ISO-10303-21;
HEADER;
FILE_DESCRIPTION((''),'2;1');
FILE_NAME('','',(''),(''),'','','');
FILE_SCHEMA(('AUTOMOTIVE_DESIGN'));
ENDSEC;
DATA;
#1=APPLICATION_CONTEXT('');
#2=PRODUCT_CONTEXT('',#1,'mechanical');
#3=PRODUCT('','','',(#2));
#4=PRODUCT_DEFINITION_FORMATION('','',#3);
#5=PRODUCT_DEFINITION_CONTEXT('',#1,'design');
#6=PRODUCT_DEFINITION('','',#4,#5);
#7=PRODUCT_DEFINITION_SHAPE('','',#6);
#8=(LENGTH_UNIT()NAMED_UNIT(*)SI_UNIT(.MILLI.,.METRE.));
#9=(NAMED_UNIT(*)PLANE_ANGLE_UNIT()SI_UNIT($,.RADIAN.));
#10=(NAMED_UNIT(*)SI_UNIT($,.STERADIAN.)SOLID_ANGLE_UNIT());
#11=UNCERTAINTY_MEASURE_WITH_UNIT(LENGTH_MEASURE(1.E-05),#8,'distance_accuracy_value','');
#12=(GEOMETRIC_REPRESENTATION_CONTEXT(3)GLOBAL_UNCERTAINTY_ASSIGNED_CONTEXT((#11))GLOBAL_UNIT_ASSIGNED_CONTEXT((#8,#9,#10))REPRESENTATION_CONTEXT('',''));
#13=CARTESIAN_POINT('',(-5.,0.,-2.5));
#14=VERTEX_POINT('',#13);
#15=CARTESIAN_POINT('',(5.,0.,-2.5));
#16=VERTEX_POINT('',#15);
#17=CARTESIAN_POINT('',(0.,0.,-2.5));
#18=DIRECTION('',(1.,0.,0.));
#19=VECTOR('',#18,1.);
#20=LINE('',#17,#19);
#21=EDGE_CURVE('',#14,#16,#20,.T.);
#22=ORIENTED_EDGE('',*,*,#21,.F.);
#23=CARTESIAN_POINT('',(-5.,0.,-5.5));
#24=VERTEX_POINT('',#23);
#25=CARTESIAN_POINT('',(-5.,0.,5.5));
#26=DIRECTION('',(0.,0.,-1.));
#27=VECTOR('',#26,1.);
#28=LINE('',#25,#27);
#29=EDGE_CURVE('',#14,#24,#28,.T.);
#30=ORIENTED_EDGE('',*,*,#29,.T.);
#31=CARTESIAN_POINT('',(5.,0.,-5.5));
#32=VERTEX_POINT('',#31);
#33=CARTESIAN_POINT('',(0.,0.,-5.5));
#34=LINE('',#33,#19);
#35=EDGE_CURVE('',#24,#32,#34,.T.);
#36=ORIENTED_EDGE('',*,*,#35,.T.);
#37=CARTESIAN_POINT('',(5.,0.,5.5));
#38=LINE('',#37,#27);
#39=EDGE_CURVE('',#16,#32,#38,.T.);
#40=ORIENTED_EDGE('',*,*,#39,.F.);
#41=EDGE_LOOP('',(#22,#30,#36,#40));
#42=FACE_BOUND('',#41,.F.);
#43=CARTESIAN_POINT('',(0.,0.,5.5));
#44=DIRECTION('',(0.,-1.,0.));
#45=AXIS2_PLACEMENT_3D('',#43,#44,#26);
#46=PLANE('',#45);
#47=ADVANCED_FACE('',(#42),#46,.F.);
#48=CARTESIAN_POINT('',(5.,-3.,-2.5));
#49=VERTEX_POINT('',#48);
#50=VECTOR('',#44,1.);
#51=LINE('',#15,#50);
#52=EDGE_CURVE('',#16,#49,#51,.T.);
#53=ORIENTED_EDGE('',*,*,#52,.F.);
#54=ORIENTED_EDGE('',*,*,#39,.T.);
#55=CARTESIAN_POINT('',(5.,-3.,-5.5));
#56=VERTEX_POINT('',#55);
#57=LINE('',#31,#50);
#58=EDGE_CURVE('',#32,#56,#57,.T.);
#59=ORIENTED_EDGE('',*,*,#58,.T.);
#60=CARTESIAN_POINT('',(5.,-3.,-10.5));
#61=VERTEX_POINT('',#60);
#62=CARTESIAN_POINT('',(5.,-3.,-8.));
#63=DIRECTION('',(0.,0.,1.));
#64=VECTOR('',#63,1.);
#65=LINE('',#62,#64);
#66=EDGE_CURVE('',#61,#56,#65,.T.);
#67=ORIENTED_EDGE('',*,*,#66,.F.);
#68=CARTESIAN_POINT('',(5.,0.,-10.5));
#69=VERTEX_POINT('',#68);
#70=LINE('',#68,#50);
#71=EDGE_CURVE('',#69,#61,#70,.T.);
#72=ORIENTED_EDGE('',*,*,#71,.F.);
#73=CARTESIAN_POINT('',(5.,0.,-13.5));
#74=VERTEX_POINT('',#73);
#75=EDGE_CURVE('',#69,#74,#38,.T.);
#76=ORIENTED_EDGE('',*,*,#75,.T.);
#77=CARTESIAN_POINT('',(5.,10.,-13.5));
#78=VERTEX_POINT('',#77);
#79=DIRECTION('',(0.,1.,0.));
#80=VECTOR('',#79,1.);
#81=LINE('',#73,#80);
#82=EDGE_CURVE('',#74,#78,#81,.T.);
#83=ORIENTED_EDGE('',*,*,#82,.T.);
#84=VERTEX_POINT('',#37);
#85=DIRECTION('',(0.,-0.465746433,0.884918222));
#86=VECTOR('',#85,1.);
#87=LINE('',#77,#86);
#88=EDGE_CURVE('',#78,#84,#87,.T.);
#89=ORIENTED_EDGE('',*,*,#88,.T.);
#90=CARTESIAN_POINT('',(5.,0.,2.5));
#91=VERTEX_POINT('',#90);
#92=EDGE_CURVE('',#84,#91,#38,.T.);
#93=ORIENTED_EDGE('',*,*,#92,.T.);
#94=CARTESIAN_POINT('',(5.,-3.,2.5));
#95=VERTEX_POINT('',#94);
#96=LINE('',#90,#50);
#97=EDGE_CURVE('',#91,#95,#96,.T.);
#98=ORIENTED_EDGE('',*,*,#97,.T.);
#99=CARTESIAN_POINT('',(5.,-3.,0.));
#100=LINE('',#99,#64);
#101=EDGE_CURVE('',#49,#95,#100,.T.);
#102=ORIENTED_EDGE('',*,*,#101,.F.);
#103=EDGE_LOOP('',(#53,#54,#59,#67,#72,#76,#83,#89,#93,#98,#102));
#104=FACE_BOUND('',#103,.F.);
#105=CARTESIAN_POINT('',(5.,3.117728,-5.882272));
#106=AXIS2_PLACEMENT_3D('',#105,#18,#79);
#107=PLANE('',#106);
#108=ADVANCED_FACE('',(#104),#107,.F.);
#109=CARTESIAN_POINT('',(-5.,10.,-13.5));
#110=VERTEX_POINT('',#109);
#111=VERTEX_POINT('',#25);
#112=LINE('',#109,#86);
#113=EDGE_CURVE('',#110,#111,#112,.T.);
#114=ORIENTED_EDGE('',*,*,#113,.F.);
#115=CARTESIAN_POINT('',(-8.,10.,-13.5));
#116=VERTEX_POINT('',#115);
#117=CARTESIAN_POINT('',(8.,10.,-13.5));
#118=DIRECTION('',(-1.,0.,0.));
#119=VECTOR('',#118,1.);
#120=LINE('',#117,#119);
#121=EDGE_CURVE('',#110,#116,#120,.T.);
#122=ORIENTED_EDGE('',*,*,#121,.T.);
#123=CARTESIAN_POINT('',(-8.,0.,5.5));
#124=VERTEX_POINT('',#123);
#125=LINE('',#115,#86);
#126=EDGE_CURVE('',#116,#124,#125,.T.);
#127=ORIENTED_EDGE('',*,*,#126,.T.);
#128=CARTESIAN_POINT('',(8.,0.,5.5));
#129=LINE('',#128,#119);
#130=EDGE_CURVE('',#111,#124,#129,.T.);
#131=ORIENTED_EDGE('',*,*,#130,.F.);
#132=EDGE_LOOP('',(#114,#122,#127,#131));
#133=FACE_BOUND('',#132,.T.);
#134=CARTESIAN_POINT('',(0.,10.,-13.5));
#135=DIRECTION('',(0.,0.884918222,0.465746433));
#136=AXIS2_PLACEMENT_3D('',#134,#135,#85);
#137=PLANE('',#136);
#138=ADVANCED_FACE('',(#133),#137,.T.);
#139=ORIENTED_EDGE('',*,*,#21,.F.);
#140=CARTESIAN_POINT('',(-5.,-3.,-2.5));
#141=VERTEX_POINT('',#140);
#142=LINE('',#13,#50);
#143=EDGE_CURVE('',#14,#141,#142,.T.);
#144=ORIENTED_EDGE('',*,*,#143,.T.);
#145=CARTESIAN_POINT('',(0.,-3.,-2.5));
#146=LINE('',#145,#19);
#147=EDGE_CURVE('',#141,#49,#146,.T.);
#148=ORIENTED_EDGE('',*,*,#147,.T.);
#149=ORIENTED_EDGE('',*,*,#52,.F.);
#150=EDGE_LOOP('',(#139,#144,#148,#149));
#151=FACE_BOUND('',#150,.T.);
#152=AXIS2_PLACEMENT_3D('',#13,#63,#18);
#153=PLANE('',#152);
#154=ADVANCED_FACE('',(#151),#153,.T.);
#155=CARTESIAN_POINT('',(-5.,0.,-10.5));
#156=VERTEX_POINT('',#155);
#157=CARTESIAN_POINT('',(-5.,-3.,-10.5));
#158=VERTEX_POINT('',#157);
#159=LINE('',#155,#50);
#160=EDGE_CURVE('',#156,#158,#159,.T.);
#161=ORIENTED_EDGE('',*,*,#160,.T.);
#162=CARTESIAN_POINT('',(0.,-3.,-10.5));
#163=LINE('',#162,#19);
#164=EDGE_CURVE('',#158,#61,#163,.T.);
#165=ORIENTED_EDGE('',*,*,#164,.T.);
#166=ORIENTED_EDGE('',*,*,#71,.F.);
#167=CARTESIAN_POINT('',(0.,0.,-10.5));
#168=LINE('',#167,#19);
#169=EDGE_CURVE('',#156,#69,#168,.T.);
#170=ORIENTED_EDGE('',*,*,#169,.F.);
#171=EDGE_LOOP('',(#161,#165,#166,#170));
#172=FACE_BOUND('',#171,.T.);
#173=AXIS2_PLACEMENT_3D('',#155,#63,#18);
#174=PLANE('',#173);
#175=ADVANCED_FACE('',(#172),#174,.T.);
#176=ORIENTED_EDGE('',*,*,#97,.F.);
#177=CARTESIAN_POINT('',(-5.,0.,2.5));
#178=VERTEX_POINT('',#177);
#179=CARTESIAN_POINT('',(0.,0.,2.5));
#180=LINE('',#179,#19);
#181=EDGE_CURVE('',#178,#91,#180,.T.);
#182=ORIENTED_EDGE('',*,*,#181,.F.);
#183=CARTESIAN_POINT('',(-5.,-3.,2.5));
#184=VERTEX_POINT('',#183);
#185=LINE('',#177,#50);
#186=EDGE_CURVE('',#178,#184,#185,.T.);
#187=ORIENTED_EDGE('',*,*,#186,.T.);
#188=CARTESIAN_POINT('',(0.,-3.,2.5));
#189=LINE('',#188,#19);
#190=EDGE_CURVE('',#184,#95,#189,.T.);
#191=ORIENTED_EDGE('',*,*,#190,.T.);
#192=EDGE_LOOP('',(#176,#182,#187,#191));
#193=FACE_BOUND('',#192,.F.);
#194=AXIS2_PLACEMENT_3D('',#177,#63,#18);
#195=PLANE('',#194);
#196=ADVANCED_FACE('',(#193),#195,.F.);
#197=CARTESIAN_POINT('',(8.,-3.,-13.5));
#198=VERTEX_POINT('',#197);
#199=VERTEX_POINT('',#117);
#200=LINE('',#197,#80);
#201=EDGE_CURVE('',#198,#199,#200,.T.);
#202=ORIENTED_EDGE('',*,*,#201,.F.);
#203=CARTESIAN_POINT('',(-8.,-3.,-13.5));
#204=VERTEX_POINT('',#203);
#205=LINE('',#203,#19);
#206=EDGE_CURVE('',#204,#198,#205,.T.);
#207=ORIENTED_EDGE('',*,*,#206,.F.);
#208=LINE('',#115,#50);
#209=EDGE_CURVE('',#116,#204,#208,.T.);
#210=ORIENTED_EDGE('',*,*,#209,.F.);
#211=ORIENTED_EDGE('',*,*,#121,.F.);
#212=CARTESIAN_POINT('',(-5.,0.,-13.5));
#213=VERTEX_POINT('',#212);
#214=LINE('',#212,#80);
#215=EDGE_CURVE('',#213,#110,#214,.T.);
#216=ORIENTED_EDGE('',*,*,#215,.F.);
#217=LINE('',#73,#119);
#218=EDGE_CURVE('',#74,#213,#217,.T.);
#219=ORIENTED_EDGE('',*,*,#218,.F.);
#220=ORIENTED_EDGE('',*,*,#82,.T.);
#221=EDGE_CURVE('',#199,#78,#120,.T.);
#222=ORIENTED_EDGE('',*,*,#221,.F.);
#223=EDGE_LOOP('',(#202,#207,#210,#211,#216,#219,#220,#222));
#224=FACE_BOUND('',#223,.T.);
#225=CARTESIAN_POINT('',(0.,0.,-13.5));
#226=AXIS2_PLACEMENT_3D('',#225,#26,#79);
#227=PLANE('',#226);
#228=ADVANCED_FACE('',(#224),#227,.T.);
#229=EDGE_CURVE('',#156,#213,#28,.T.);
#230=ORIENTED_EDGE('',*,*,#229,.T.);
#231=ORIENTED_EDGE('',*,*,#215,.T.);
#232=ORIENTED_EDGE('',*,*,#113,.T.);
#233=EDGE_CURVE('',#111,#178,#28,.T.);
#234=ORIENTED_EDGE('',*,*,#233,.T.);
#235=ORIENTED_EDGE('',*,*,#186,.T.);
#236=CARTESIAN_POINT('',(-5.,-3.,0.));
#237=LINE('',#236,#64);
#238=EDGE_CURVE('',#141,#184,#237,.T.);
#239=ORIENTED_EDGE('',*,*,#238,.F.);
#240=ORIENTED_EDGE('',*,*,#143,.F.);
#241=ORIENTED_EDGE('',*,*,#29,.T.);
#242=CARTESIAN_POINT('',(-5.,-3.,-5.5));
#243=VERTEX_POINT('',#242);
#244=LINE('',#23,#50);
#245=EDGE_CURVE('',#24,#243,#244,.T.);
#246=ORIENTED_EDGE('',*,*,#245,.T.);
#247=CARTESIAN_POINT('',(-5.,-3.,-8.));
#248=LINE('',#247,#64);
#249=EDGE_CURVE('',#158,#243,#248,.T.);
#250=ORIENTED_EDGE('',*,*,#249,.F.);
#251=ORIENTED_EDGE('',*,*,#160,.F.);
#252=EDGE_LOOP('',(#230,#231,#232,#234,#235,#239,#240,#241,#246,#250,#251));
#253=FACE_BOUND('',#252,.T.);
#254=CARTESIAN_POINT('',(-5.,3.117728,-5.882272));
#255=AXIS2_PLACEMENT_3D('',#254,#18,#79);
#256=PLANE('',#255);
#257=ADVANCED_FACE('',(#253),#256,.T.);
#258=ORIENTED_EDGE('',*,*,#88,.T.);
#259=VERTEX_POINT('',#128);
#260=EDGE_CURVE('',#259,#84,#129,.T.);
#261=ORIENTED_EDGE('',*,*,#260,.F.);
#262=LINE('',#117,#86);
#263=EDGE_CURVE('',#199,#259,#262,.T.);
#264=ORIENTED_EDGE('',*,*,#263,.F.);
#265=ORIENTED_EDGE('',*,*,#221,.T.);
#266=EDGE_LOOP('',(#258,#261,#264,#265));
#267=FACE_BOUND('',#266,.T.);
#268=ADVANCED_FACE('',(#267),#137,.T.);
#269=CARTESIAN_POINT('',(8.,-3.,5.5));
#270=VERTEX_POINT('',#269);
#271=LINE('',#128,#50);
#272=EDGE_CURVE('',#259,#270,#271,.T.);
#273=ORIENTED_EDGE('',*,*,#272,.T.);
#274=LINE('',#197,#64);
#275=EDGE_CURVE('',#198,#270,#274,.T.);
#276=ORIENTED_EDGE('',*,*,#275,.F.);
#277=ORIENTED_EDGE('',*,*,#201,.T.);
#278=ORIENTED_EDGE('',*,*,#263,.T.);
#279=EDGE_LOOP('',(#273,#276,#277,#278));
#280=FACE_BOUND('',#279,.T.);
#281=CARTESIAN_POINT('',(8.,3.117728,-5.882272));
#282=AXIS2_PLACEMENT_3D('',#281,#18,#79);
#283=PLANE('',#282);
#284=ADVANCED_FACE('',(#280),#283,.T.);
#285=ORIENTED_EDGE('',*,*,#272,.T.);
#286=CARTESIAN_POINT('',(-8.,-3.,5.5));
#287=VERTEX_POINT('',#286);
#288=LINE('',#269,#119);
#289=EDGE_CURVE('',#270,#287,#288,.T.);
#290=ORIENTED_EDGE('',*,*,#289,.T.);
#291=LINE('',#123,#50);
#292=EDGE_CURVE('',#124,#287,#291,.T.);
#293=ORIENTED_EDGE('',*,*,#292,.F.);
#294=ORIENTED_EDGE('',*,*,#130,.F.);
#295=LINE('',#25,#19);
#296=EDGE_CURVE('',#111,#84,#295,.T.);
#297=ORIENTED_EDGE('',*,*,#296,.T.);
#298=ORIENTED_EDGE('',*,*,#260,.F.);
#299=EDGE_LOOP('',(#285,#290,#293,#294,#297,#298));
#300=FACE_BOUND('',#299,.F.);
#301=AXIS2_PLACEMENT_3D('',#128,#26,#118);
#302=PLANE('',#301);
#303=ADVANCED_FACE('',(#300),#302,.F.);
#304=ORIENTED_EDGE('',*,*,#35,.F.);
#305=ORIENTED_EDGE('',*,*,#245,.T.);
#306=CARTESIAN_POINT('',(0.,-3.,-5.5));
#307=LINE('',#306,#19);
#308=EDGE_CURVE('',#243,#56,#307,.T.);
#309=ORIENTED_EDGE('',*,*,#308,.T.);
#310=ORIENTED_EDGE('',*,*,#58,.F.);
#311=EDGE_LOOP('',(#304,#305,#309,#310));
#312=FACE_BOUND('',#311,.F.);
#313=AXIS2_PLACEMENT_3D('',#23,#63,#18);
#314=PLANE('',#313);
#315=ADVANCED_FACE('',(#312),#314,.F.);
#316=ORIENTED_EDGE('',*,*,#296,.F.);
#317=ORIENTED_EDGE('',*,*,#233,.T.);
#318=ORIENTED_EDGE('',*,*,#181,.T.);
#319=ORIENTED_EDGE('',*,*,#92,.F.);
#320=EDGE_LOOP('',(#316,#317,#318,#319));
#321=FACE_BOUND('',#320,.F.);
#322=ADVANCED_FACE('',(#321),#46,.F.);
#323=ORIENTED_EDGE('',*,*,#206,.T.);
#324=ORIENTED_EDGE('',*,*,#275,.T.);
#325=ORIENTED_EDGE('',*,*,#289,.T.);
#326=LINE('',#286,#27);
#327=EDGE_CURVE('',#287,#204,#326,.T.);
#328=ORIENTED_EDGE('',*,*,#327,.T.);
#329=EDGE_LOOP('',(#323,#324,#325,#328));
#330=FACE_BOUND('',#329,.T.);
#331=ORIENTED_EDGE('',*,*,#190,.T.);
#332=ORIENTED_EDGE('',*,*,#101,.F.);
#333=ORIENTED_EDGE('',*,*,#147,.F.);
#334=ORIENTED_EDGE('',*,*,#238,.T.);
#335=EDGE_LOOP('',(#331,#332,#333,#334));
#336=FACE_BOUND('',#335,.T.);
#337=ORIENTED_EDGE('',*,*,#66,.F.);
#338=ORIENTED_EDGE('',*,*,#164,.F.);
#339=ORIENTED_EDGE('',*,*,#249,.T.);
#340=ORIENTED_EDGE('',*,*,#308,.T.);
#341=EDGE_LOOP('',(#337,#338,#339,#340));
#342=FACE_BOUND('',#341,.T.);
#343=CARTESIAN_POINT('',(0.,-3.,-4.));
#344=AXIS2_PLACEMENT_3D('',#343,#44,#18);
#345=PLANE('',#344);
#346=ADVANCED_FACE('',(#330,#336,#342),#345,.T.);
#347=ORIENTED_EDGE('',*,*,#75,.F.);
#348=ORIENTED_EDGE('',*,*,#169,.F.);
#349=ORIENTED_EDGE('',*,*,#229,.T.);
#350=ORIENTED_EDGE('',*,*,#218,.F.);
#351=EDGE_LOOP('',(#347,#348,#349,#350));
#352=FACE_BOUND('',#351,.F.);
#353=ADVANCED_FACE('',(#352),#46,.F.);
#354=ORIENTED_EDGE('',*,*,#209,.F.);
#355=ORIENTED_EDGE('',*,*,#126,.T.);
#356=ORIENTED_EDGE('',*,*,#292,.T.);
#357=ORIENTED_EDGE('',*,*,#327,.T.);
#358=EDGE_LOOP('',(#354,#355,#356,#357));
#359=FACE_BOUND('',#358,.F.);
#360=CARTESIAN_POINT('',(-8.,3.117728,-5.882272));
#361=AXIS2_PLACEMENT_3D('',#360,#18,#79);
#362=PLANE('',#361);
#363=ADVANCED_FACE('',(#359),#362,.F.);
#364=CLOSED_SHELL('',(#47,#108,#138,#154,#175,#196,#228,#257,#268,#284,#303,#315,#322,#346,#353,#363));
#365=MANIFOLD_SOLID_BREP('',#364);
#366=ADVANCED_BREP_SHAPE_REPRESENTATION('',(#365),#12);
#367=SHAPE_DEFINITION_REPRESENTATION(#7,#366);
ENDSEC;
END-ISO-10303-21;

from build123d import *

# Parameters (mm, degrees)
F0_W     = 10
F0_H     = 5
F1_DEPTH = 3
F3_DEPTH = 8
F4_DEPTH = 5


with BuildPart() as f1:
    # F0 (on Front) → F1 (new body)
    with BuildSketch(Plane.XZ):
        Polygon((8, -5.5), (8, 5.5), (-8, 5.5), (-8, -5.5), (-8, -13.5), (8, -13.5), align=None)
        with Locations((0, -8)):
            Rectangle(F0_W, F0_H, mode=Mode.SUBTRACT)
        Rectangle(F0_W, F0_H, mode=Mode.SUBTRACT)
    extrude(amount=F1_DEPTH)

    # F2 (on Right) → F3 (join, symmetric)
    with BuildSketch(Plane.YZ):
        Polygon((10, -13.5), (0, 5.5), (0, -13.5), align=None)
    extrude(amount=F3_DEPTH, both=True)

    # F2 (on Right) → F4 (cut, symmetric)
    with BuildSketch(Plane.YZ):
        Polygon((10, -13.5), (0, 5.5), (0, -13.5), align=None)
    extrude(amount=F4_DEPTH, both=True, mode=Mode.SUBTRACT)


solid = f1.part
